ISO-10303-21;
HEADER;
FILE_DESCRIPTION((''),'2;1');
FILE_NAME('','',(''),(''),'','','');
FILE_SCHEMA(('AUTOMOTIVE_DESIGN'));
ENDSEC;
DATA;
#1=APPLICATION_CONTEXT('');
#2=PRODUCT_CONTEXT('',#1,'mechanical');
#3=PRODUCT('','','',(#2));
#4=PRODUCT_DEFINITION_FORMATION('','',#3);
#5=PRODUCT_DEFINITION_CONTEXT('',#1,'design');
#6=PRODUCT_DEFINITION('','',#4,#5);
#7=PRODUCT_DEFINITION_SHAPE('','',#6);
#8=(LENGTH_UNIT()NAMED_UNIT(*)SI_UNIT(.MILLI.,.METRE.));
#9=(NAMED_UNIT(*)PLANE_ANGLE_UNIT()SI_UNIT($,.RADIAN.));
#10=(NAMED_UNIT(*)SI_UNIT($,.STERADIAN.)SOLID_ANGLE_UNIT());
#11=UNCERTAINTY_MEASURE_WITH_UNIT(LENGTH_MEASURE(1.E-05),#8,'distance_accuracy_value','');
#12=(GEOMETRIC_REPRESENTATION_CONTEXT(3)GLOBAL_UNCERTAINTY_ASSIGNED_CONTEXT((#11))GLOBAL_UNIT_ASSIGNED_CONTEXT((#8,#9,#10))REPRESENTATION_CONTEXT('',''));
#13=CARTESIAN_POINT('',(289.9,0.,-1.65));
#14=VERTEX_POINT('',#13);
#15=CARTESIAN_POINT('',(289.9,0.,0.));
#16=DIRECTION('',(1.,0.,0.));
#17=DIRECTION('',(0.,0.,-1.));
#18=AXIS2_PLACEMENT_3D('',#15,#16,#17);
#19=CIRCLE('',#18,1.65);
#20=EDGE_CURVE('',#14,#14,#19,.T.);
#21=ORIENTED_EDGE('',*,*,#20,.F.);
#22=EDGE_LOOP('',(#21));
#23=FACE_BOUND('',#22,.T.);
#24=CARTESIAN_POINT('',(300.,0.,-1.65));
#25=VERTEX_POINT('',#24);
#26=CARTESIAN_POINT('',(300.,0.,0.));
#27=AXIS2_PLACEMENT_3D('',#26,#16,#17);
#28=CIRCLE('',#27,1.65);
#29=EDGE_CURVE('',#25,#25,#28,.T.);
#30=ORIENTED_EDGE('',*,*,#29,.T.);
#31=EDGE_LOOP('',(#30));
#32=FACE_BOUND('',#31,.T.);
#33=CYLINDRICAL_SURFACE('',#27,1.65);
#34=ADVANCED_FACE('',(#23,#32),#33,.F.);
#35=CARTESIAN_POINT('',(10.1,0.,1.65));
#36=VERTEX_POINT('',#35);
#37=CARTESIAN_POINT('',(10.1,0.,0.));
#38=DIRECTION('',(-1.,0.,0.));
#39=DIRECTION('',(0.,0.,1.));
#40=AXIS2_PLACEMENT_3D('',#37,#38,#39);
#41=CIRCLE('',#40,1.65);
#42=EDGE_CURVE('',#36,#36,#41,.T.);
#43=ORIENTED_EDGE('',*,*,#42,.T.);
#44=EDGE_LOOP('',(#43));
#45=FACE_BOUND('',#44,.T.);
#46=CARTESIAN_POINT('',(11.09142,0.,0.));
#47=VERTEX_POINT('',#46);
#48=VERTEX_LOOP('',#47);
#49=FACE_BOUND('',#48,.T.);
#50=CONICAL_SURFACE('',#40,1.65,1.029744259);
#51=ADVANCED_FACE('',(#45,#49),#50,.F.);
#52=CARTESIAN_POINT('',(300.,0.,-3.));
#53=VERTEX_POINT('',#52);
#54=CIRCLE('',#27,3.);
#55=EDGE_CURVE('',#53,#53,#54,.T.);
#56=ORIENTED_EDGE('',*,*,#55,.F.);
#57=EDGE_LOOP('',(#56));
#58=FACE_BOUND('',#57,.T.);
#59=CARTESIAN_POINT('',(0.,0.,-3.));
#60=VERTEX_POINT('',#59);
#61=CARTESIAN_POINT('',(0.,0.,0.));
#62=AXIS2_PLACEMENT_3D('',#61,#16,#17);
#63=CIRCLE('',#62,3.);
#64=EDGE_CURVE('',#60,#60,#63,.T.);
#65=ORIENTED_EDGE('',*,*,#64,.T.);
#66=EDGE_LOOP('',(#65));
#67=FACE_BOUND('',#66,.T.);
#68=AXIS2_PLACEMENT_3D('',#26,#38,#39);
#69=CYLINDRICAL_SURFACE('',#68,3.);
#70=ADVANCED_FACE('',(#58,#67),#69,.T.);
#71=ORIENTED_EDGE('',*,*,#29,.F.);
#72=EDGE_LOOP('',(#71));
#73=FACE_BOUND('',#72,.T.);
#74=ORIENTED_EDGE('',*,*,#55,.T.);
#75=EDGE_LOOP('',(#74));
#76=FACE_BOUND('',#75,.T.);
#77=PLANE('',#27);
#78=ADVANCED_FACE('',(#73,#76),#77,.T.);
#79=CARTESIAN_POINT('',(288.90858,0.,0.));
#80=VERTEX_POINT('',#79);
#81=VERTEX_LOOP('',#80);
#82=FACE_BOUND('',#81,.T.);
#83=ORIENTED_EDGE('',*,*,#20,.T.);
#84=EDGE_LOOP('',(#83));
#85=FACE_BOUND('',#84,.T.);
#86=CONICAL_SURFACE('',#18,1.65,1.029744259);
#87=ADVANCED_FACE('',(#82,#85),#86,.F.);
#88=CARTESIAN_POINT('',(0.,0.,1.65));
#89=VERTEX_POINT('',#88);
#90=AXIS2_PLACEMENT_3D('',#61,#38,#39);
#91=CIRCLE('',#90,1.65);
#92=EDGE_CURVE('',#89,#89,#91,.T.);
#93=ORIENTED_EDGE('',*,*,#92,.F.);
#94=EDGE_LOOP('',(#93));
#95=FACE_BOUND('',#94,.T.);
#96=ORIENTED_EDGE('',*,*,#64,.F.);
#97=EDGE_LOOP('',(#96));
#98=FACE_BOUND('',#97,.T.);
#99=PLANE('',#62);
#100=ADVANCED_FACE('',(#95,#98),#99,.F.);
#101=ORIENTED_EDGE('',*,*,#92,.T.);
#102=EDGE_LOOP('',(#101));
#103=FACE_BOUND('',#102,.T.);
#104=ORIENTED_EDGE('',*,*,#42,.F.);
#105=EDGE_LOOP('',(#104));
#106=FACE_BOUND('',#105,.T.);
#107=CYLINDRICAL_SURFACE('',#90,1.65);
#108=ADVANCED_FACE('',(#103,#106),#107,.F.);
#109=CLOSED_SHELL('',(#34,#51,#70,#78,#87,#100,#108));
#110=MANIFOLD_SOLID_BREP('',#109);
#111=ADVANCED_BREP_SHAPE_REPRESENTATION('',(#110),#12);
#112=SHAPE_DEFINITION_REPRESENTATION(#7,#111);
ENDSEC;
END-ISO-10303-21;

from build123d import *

# Parameters (mm, degrees)
SKETCH1_R                       = 3
BOSS_EXTRUDE1_DEPTH             = 300
M4_TAPPED_HOLE2_D               = 3.3
M4_TAPPED_HOLE2_DEPTH           = 10.1
M4_TAPPED_HOLE2_TIP             = 0.991420021
M4_TAPPED_HOLE2_ON_FACE_2_D     = 3.3
M4_TAPPED_HOLE2_ON_FACE_2_DEPTH = 10.1
M4_TAPPED_HOLE2_ON_FACE_2_TIP   = 0.991420021


with BuildPart() as part:
    # Sketch1 → Boss-Extrude1 (new body)
    with BuildSketch(Plane(origin=(0, 0, 0), x_dir=(0, 0, -1), z_dir=(1, 0, 0))):
        Circle(SKETCH1_R)
    extrude(amount=BOSS_EXTRUDE1_DEPTH)

    # M4 Tapped Hole2
    with Locations(Plane(origin=(0, 0, 0), x_dir=(0, 0, -1), z_dir=(-1, 0, 0))):
        with Locations((0, 0)):
            Hole(M4_TAPPED_HOLE2_D / 2, depth=M4_TAPPED_HOLE2_DEPTH)
            with Locations((0, 0, -(M4_TAPPED_HOLE2_DEPTH + M4_TAPPED_HOLE2_TIP / 2))):  # 118° drill point
                Cone(0, M4_TAPPED_HOLE2_D / 2, M4_TAPPED_HOLE2_TIP, mode=Mode.SUBTRACT)

    # M4 Tapped Hole2 on face 2
    with Locations(Plane(origin=(300, 0, 0), x_dir=(0, 0, 1), z_dir=(1, 0, 0))):
        with Locations((0, 0)):
            Hole(M4_TAPPED_HOLE2_ON_FACE_2_D / 2, depth=M4_TAPPED_HOLE2_ON_FACE_2_DEPTH)
            with Locations((0, 0, -(M4_TAPPED_HOLE2_ON_FACE_2_DEPTH + M4_TAPPED_HOLE2_ON_FACE_2_TIP / 2))):  # 118° drill point
                Cone(0, M4_TAPPED_HOLE2_ON_FACE_2_D / 2, M4_TAPPED_HOLE2_ON_FACE_2_TIP, mode=Mode.SUBTRACT)


solid = part.part
